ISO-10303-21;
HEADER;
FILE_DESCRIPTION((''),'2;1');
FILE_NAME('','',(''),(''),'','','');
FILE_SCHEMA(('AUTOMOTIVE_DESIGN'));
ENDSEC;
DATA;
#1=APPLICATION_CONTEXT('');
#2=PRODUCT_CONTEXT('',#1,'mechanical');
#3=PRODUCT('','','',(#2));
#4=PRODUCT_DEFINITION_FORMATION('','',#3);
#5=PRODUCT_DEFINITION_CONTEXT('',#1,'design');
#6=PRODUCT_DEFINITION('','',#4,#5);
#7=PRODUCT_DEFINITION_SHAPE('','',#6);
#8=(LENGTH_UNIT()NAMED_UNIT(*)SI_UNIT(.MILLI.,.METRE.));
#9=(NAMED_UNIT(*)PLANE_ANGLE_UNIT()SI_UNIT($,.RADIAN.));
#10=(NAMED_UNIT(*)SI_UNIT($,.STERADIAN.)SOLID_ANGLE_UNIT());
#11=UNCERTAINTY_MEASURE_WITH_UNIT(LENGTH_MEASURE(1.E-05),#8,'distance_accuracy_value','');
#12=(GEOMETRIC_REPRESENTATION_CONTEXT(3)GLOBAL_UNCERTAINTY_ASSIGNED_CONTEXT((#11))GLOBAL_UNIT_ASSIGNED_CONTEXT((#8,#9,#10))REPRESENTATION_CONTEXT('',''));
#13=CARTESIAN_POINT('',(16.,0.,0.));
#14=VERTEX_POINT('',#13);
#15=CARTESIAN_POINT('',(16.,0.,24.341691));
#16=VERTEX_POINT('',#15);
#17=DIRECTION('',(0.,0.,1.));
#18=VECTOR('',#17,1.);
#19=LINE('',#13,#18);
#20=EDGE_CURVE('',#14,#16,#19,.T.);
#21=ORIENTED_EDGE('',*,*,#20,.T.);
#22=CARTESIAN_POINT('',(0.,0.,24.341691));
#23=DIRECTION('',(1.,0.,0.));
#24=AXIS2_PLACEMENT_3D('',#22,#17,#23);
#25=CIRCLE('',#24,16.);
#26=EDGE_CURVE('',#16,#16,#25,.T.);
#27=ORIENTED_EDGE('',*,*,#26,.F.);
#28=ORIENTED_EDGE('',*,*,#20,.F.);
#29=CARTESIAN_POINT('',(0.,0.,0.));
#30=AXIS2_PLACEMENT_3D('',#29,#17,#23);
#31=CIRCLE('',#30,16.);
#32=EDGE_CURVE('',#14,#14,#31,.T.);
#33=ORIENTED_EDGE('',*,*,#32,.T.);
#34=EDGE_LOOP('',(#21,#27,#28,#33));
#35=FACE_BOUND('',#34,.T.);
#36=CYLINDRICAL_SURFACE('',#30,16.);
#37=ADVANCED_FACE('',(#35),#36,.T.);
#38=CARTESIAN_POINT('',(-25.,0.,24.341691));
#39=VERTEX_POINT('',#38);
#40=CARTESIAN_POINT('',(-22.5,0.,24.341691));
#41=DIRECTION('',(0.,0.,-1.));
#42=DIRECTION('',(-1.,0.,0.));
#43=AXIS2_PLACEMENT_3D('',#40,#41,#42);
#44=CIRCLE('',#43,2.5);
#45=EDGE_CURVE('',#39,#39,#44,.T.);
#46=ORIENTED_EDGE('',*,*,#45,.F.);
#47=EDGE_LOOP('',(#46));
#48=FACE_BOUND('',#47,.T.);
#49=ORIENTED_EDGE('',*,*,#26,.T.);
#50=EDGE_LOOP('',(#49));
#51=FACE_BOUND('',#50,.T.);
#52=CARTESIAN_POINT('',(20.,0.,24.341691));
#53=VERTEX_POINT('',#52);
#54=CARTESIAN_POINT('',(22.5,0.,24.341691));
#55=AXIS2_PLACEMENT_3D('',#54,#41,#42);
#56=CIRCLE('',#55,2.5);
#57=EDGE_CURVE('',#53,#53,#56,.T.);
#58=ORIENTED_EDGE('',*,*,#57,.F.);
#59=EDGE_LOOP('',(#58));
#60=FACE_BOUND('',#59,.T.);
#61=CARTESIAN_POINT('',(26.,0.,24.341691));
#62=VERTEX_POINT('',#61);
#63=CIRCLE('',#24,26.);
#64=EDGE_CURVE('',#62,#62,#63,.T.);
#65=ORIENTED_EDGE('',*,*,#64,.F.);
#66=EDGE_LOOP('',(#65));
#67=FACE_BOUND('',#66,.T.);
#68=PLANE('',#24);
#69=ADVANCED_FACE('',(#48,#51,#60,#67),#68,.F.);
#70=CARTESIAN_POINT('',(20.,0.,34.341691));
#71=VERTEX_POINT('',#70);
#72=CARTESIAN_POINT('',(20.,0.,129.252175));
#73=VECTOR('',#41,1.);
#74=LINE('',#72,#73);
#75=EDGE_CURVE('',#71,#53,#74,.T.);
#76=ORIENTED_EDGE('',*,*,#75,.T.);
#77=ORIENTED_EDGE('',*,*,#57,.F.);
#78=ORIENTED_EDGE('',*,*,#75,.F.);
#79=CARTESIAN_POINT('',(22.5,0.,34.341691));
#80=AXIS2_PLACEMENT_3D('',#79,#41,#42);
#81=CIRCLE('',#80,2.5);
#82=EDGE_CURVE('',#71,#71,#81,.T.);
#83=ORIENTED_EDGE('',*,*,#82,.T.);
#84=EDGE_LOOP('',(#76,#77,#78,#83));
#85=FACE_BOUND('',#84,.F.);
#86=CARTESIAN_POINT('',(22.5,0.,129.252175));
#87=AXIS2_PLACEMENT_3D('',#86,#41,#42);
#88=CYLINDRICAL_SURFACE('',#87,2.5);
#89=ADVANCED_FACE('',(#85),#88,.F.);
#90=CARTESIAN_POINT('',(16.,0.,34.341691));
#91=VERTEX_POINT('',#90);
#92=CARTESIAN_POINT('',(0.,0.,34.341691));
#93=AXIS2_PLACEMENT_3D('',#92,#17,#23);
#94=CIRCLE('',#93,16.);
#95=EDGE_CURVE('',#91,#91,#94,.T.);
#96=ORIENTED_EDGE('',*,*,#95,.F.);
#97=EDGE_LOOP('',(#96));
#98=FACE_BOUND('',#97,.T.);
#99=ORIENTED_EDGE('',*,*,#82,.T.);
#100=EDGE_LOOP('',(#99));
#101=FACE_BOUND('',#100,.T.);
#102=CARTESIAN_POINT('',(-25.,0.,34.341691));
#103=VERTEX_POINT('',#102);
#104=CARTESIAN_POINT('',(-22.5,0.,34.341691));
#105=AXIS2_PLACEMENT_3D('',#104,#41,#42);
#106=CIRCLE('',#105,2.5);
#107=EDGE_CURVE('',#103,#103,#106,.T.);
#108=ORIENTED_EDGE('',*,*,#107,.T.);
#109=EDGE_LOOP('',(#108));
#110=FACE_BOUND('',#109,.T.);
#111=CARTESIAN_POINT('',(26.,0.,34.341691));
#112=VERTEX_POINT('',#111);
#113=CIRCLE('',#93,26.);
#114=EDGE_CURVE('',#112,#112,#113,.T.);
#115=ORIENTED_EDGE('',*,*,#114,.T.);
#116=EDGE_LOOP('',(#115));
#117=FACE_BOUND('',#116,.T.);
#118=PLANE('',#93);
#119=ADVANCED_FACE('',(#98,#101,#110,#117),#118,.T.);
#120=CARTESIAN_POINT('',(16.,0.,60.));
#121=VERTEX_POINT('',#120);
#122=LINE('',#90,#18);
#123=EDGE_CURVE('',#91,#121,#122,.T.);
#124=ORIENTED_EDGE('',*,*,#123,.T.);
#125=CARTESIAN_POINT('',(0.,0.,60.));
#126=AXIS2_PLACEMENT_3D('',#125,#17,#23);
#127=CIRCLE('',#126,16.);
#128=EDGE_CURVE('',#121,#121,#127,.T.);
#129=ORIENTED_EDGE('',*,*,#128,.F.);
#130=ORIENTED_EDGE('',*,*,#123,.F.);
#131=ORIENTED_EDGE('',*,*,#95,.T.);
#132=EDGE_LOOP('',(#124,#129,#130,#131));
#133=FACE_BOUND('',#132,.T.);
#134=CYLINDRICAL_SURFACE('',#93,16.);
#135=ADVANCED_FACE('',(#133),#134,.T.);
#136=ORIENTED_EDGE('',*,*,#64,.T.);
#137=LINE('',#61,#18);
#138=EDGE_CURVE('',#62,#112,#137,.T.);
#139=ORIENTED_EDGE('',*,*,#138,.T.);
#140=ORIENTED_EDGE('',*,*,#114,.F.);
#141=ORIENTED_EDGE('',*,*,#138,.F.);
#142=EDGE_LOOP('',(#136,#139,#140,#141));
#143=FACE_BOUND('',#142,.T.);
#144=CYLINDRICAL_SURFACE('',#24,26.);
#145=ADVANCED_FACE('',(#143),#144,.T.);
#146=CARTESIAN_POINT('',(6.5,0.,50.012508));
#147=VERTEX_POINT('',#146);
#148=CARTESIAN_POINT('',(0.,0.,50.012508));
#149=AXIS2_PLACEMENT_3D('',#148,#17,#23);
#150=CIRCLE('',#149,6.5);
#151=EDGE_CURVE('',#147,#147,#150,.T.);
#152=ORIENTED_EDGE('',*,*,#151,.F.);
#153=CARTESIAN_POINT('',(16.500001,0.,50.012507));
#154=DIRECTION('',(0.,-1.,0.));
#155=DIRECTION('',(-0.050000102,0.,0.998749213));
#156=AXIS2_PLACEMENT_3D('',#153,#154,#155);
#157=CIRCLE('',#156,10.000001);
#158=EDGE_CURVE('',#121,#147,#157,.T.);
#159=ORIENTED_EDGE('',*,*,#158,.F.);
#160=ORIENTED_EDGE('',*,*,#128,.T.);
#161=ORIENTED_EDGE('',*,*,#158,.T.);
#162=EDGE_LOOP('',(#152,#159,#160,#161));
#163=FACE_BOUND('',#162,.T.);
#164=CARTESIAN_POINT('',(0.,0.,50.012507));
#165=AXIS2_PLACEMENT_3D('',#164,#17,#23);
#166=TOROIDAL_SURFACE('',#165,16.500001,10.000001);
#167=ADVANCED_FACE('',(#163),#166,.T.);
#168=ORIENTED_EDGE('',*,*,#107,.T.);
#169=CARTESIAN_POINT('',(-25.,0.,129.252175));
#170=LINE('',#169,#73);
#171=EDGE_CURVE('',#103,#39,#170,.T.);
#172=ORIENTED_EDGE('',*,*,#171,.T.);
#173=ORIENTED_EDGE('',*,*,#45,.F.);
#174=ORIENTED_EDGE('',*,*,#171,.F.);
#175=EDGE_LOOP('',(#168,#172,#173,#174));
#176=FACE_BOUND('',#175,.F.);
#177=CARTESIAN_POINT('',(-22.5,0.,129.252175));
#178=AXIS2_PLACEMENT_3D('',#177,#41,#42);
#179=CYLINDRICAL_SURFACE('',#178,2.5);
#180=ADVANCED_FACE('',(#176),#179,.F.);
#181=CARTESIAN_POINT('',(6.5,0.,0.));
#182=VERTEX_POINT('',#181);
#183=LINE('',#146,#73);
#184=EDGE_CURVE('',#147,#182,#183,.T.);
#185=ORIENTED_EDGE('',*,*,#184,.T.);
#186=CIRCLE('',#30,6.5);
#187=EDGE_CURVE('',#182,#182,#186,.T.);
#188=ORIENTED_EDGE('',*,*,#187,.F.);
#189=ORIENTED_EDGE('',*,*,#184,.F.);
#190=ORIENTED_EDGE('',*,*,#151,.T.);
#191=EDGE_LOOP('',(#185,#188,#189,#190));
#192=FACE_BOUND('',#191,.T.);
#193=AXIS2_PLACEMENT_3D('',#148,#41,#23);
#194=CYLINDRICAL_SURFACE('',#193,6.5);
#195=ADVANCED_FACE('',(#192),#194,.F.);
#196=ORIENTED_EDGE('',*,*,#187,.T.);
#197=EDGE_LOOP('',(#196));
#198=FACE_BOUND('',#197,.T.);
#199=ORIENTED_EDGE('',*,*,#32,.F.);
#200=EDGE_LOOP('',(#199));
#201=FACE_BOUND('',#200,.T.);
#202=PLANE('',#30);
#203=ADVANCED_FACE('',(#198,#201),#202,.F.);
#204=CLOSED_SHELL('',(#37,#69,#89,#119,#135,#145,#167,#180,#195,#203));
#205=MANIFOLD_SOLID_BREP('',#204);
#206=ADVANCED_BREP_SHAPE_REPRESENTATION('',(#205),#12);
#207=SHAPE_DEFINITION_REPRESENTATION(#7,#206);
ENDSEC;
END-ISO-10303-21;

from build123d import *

# Parameters (mm, degrees)
F4_D = 5


with BuildPart() as f2:
    # F0 (on Front) → F2 (revolve)
    with BuildSketch(Plane.XZ):
        with BuildLine():
            Line((6.5, 50.012508), (6.5, 0))
            Line((6.5, 0), (16, 0))
            Line((16, 0), (16, 24.341691))
            Line((16, 24.341691), (26, 24.341691))
            Line((26, 24.341691), (26, 34.341691))
            Line((26, 34.341691), (16, 34.341691))
            Line((16, 34.341691), (16, 60))
            ThreePointArc((16, 60), (9.254312, 56.904532), (6.5, 50.012508))
        make_face()
    revolve(axis=Axis((0, 0, 35.208348), (0, 0, 1)))

    # F4 (through all)
    with Locations(Plane.XY.offset(34.341691)):
        with Locations((-22.5, 0), (22.5, 0)):
            Hole(F4_D / 2)


solid = f2.part
